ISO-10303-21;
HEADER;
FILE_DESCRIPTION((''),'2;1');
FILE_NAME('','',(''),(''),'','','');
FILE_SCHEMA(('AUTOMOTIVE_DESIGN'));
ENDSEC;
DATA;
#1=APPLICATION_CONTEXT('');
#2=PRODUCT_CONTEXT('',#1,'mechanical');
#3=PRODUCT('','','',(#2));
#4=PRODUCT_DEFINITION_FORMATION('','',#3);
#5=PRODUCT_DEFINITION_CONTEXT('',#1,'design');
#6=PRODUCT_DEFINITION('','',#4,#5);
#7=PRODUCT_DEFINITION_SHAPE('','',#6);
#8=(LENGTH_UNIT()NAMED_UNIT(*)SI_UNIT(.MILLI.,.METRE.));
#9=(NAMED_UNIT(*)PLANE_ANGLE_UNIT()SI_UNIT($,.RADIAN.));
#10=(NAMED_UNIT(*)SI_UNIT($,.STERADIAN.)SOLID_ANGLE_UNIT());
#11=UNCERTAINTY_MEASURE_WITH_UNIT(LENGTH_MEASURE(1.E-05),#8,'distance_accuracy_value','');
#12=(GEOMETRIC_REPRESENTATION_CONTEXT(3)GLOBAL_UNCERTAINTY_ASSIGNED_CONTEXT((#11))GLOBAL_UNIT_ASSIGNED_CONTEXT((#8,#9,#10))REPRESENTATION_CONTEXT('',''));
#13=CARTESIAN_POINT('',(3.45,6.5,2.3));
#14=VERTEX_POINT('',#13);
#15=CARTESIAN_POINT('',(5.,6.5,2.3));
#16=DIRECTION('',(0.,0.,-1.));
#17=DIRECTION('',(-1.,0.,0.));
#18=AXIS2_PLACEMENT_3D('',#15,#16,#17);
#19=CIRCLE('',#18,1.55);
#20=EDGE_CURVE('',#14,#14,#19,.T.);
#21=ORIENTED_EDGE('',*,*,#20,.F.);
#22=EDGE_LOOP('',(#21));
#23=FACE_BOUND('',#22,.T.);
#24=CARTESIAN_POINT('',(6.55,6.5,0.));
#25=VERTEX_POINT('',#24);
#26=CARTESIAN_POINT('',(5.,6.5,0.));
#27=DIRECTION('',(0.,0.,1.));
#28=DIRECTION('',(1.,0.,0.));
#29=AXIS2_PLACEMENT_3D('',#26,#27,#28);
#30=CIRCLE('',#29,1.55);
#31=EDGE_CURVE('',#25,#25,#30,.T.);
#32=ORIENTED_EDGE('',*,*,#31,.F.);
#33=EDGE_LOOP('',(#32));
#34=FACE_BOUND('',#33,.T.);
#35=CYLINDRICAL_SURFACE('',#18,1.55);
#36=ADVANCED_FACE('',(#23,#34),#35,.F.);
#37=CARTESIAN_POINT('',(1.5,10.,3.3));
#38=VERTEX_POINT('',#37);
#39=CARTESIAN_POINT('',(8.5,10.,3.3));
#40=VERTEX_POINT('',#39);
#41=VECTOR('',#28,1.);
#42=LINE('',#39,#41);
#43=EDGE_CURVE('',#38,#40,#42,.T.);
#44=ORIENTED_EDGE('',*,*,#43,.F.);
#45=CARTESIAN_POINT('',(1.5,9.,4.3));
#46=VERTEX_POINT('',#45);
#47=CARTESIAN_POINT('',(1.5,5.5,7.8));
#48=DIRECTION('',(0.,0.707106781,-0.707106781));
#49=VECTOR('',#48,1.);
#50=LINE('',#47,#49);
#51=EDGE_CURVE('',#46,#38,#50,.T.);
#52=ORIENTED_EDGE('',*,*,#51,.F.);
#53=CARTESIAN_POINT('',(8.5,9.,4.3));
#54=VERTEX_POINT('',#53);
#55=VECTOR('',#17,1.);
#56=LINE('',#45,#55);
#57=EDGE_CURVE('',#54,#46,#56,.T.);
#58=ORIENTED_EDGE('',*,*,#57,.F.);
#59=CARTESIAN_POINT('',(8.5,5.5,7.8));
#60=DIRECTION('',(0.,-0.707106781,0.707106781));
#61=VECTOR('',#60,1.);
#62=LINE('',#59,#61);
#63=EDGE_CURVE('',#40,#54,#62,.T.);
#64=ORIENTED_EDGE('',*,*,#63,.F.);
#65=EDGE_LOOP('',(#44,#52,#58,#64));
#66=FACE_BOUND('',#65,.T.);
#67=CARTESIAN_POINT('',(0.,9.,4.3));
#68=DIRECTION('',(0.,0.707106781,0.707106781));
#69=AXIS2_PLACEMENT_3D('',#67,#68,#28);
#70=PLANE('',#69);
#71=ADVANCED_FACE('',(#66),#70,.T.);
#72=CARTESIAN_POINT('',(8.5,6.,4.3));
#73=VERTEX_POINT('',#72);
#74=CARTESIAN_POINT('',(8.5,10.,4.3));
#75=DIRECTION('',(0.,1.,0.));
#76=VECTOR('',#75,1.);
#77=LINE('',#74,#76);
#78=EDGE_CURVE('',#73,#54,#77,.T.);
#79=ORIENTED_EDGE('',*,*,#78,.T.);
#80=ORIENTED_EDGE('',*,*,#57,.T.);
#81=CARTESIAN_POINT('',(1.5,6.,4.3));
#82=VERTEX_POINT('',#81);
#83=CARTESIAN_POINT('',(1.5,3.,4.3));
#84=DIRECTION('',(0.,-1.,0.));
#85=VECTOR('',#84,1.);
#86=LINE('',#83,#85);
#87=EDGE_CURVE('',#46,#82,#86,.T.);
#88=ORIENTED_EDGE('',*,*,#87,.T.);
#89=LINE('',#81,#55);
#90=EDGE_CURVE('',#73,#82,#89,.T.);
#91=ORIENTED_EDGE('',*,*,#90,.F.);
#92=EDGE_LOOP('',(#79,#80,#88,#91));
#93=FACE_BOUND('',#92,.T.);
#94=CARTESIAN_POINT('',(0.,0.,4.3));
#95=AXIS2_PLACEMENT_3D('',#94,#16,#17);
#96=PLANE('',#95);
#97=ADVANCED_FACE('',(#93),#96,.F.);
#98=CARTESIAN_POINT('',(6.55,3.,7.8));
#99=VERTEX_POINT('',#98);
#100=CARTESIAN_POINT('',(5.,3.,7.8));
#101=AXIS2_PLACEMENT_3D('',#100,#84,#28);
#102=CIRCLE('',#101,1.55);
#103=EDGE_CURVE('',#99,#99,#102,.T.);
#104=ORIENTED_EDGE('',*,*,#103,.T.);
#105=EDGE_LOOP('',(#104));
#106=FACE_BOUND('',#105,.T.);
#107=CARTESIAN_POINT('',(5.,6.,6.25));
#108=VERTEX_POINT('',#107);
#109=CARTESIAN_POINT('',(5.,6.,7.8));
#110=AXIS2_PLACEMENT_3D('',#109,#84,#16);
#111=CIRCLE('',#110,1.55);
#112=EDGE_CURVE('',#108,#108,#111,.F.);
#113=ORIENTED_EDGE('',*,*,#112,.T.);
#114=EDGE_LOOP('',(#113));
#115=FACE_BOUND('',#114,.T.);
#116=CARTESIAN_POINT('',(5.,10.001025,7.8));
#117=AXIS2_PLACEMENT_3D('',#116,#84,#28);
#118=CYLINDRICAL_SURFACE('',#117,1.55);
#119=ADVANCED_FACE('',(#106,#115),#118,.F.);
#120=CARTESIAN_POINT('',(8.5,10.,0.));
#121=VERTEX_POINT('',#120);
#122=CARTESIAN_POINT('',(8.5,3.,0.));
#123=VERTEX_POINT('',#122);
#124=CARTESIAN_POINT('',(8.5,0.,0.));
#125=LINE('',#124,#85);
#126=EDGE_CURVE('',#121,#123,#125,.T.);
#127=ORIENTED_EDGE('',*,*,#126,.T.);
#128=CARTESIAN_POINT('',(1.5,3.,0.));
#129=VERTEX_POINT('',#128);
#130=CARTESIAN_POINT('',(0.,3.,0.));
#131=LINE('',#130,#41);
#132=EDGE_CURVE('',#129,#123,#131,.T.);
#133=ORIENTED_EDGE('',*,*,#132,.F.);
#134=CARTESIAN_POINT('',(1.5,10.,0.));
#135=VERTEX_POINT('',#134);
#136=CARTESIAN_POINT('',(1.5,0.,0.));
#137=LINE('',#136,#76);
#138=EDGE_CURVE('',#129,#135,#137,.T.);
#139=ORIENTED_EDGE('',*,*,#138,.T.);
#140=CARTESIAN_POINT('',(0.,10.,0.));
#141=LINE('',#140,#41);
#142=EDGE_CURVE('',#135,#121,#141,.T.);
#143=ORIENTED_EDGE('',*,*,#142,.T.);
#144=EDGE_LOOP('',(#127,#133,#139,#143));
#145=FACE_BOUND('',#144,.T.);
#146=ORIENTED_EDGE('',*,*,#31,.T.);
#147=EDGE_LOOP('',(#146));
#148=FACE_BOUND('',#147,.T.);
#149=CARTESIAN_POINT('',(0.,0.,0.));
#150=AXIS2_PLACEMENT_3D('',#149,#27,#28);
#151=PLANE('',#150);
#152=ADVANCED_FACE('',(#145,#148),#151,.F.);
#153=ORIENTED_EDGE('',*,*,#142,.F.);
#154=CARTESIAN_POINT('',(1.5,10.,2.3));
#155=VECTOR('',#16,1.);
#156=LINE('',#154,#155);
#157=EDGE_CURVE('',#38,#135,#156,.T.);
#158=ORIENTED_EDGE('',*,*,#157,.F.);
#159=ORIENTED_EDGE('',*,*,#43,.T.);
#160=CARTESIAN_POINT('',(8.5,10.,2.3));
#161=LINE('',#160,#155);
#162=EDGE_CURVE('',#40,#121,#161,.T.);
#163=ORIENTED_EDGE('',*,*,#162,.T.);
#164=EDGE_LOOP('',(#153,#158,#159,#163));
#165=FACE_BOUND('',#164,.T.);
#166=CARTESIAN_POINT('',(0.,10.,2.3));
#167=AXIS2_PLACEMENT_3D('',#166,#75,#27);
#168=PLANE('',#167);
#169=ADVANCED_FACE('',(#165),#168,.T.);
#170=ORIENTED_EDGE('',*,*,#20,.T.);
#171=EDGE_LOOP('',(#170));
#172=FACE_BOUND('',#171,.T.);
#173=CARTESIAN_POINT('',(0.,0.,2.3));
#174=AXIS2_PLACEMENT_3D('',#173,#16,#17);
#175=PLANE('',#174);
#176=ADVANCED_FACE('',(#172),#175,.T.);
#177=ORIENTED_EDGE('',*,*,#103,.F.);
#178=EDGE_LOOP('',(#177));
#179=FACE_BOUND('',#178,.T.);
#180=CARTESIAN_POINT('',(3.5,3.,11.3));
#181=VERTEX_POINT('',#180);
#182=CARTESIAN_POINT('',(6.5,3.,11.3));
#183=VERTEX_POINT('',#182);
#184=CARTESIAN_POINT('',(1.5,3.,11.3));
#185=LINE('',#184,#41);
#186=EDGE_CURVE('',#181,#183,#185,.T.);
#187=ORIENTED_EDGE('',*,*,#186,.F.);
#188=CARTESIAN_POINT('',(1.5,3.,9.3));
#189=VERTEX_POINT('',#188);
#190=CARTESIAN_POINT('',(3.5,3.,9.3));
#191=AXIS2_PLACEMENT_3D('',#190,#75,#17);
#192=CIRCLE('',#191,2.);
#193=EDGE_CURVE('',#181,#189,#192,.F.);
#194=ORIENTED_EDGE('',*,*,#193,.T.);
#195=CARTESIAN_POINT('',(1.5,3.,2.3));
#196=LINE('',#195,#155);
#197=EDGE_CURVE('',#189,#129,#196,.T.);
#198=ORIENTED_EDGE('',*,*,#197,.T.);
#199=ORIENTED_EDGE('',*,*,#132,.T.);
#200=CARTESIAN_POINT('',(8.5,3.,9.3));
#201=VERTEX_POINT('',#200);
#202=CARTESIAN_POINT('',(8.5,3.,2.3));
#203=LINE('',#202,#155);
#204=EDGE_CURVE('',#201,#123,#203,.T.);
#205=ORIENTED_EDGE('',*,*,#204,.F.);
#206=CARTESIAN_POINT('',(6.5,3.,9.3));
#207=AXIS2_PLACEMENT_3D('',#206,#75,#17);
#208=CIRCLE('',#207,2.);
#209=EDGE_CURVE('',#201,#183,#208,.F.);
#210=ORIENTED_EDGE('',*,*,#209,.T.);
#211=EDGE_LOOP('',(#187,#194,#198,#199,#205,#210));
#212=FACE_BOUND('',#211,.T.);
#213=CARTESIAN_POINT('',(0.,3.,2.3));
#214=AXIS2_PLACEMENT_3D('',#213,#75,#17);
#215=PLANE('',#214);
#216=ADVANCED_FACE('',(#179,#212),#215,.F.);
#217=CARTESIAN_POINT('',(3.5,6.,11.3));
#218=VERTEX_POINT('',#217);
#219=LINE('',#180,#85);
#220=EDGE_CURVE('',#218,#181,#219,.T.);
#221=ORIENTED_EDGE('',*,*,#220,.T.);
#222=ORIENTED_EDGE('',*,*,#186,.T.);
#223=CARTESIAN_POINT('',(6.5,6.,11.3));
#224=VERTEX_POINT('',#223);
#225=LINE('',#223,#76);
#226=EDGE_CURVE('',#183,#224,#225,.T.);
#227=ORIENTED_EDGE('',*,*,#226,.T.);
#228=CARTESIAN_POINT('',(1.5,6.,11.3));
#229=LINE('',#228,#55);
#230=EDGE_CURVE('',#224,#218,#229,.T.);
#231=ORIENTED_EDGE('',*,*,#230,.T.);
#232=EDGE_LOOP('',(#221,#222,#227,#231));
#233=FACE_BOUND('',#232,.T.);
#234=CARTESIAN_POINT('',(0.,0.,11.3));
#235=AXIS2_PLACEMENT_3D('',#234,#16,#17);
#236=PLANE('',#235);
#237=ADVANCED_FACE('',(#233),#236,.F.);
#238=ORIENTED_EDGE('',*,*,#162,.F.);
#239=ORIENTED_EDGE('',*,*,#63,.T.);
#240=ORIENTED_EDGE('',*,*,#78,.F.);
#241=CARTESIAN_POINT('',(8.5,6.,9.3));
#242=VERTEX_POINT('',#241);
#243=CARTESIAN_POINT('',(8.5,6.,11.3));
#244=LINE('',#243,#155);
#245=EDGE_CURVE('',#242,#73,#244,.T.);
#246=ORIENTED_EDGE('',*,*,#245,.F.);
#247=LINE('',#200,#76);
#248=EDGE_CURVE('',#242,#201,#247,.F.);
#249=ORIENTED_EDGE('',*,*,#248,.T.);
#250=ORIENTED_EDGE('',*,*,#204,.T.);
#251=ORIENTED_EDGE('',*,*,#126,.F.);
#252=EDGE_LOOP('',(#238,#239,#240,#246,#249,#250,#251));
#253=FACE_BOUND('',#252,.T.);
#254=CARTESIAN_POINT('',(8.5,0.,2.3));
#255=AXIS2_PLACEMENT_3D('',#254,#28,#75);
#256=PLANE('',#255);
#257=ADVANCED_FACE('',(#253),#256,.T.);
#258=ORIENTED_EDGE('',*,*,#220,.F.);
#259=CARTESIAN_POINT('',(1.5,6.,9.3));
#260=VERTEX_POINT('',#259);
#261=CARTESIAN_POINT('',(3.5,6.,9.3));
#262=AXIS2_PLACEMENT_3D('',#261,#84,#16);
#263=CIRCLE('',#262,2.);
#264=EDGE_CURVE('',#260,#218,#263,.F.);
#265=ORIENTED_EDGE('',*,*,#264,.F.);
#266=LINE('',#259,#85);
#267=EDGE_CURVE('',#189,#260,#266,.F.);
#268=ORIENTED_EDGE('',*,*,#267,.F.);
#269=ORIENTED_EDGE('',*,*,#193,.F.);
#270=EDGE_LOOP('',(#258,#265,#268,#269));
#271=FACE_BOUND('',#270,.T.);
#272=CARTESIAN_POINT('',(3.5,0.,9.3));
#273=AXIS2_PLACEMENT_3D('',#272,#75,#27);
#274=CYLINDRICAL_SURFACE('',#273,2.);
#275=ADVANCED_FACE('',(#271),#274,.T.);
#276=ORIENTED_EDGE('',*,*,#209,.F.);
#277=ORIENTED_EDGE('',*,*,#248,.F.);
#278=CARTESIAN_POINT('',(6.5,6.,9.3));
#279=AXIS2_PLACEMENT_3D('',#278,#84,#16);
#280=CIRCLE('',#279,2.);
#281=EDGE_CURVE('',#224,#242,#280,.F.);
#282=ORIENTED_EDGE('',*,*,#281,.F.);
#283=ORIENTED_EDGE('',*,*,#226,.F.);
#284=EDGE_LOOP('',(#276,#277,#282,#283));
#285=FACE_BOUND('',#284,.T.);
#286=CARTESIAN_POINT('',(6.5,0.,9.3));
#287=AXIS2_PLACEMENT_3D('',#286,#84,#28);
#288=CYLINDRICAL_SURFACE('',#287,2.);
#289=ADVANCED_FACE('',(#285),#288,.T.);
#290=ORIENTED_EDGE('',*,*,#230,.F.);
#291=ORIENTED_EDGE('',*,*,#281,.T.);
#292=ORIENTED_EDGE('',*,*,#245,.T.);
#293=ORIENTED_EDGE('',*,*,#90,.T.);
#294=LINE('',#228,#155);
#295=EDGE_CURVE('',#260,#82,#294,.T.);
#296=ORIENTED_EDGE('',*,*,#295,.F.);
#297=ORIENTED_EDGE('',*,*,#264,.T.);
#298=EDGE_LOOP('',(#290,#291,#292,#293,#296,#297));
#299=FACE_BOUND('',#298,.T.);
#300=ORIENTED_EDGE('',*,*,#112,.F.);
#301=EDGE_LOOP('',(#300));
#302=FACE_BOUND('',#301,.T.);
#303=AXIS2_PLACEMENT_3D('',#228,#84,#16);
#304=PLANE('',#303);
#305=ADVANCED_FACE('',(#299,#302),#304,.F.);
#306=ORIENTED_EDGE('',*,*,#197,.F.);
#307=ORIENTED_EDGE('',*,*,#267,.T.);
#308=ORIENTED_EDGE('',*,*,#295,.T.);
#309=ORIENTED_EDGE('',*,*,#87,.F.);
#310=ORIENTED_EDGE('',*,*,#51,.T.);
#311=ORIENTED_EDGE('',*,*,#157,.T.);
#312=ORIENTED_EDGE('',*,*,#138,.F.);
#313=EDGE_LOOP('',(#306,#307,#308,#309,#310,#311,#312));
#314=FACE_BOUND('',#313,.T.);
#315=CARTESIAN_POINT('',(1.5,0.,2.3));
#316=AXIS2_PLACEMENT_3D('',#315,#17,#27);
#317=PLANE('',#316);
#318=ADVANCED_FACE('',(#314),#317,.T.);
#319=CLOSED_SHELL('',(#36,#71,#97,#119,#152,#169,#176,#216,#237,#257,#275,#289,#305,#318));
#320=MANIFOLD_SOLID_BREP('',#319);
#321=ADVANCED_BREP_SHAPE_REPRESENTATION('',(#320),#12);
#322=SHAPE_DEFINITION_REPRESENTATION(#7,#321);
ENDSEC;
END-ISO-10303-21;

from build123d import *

# Parameters (mm, degrees)
SKETCH1_W           = 7
SKETCH1_H           = 7
SKETCH1_R           = 1.55
BOSS_EXTRUDE1_DEPTH = 2.3
SKETCH3_W           = 7
SKETCH3_H           = 7
BOSS_EXTRUDE2_DEPTH = 2
SKETCH4_W           = 7
SKETCH4_H           = 3
BOSS_EXTRUDE3_DEPTH = 7
CUT_EXTRUDE1_REACH  = 9
SKETCH5_R           = 1.55
FILLET1_R           = 2
CHAMFER1_SIZE       = 1


with BuildPart() as part:
    # Sketch1 → Boss-Extrude1 (new body)
    with BuildSketch(Plane.XY):
        with Locations((5, 6.5)):
            Rectangle(SKETCH1_W, SKETCH1_H)
        with Locations((5, 6.5)):
            Circle(SKETCH1_R, mode=Mode.SUBTRACT)
    extrude(amount=BOSS_EXTRUDE1_DEPTH)

    # Sketch3 → Boss-Extrude2 (add)
    with BuildSketch(Plane.XY.offset(2.3)):
        with Locations((5, 6.5)):
            Rectangle(SKETCH3_W, SKETCH3_H)
    extrude(amount=BOSS_EXTRUDE2_DEPTH)

    # Sketch4 → Boss-Extrude3 (add)
    with BuildSketch(Plane.XY.offset(4.3)):
        with Locations((5, 4.5)):
            Rectangle(SKETCH4_W, SKETCH4_H)
    extrude(amount=BOSS_EXTRUDE3_DEPTH)

    # Sketch5 → Cut-Extrude1 (cut, up to next)
    with BuildSketch(Plane.XZ.offset(-3), mode=Mode.PRIVATE) as cut_extrude1_sk1:
        with Locations((5, 7.8)):
            Circle(SKETCH5_R)
    cut_extrude1_tool1 = extrude(cut_extrude1_sk1.sketch, amount=-CUT_EXTRUDE1_REACH, mode=Mode.PRIVATE) & part.part
    add(cut_extrude1_tool1.solids().sort_by_distance((5, 3, 7.8))[0], mode=Mode.SUBTRACT)

    # Fillet1
    fillet1_edges = [part.edges().sort_by_distance(p)[0] for p in [
        (8.5, 4.5, 11.3),
        (1.5, 4.5, 11.3),
    ]]
    fillet(fillet1_edges, radius=FILLET1_R)

    # Chamfer1
    chamfer1_edges = [part.edges().sort_by_distance(p)[0] for p in [
        (5, 10, 4.3),
    ]]
    chamfer(chamfer1_edges, length=CHAMFER1_SIZE)


solid = part.part
